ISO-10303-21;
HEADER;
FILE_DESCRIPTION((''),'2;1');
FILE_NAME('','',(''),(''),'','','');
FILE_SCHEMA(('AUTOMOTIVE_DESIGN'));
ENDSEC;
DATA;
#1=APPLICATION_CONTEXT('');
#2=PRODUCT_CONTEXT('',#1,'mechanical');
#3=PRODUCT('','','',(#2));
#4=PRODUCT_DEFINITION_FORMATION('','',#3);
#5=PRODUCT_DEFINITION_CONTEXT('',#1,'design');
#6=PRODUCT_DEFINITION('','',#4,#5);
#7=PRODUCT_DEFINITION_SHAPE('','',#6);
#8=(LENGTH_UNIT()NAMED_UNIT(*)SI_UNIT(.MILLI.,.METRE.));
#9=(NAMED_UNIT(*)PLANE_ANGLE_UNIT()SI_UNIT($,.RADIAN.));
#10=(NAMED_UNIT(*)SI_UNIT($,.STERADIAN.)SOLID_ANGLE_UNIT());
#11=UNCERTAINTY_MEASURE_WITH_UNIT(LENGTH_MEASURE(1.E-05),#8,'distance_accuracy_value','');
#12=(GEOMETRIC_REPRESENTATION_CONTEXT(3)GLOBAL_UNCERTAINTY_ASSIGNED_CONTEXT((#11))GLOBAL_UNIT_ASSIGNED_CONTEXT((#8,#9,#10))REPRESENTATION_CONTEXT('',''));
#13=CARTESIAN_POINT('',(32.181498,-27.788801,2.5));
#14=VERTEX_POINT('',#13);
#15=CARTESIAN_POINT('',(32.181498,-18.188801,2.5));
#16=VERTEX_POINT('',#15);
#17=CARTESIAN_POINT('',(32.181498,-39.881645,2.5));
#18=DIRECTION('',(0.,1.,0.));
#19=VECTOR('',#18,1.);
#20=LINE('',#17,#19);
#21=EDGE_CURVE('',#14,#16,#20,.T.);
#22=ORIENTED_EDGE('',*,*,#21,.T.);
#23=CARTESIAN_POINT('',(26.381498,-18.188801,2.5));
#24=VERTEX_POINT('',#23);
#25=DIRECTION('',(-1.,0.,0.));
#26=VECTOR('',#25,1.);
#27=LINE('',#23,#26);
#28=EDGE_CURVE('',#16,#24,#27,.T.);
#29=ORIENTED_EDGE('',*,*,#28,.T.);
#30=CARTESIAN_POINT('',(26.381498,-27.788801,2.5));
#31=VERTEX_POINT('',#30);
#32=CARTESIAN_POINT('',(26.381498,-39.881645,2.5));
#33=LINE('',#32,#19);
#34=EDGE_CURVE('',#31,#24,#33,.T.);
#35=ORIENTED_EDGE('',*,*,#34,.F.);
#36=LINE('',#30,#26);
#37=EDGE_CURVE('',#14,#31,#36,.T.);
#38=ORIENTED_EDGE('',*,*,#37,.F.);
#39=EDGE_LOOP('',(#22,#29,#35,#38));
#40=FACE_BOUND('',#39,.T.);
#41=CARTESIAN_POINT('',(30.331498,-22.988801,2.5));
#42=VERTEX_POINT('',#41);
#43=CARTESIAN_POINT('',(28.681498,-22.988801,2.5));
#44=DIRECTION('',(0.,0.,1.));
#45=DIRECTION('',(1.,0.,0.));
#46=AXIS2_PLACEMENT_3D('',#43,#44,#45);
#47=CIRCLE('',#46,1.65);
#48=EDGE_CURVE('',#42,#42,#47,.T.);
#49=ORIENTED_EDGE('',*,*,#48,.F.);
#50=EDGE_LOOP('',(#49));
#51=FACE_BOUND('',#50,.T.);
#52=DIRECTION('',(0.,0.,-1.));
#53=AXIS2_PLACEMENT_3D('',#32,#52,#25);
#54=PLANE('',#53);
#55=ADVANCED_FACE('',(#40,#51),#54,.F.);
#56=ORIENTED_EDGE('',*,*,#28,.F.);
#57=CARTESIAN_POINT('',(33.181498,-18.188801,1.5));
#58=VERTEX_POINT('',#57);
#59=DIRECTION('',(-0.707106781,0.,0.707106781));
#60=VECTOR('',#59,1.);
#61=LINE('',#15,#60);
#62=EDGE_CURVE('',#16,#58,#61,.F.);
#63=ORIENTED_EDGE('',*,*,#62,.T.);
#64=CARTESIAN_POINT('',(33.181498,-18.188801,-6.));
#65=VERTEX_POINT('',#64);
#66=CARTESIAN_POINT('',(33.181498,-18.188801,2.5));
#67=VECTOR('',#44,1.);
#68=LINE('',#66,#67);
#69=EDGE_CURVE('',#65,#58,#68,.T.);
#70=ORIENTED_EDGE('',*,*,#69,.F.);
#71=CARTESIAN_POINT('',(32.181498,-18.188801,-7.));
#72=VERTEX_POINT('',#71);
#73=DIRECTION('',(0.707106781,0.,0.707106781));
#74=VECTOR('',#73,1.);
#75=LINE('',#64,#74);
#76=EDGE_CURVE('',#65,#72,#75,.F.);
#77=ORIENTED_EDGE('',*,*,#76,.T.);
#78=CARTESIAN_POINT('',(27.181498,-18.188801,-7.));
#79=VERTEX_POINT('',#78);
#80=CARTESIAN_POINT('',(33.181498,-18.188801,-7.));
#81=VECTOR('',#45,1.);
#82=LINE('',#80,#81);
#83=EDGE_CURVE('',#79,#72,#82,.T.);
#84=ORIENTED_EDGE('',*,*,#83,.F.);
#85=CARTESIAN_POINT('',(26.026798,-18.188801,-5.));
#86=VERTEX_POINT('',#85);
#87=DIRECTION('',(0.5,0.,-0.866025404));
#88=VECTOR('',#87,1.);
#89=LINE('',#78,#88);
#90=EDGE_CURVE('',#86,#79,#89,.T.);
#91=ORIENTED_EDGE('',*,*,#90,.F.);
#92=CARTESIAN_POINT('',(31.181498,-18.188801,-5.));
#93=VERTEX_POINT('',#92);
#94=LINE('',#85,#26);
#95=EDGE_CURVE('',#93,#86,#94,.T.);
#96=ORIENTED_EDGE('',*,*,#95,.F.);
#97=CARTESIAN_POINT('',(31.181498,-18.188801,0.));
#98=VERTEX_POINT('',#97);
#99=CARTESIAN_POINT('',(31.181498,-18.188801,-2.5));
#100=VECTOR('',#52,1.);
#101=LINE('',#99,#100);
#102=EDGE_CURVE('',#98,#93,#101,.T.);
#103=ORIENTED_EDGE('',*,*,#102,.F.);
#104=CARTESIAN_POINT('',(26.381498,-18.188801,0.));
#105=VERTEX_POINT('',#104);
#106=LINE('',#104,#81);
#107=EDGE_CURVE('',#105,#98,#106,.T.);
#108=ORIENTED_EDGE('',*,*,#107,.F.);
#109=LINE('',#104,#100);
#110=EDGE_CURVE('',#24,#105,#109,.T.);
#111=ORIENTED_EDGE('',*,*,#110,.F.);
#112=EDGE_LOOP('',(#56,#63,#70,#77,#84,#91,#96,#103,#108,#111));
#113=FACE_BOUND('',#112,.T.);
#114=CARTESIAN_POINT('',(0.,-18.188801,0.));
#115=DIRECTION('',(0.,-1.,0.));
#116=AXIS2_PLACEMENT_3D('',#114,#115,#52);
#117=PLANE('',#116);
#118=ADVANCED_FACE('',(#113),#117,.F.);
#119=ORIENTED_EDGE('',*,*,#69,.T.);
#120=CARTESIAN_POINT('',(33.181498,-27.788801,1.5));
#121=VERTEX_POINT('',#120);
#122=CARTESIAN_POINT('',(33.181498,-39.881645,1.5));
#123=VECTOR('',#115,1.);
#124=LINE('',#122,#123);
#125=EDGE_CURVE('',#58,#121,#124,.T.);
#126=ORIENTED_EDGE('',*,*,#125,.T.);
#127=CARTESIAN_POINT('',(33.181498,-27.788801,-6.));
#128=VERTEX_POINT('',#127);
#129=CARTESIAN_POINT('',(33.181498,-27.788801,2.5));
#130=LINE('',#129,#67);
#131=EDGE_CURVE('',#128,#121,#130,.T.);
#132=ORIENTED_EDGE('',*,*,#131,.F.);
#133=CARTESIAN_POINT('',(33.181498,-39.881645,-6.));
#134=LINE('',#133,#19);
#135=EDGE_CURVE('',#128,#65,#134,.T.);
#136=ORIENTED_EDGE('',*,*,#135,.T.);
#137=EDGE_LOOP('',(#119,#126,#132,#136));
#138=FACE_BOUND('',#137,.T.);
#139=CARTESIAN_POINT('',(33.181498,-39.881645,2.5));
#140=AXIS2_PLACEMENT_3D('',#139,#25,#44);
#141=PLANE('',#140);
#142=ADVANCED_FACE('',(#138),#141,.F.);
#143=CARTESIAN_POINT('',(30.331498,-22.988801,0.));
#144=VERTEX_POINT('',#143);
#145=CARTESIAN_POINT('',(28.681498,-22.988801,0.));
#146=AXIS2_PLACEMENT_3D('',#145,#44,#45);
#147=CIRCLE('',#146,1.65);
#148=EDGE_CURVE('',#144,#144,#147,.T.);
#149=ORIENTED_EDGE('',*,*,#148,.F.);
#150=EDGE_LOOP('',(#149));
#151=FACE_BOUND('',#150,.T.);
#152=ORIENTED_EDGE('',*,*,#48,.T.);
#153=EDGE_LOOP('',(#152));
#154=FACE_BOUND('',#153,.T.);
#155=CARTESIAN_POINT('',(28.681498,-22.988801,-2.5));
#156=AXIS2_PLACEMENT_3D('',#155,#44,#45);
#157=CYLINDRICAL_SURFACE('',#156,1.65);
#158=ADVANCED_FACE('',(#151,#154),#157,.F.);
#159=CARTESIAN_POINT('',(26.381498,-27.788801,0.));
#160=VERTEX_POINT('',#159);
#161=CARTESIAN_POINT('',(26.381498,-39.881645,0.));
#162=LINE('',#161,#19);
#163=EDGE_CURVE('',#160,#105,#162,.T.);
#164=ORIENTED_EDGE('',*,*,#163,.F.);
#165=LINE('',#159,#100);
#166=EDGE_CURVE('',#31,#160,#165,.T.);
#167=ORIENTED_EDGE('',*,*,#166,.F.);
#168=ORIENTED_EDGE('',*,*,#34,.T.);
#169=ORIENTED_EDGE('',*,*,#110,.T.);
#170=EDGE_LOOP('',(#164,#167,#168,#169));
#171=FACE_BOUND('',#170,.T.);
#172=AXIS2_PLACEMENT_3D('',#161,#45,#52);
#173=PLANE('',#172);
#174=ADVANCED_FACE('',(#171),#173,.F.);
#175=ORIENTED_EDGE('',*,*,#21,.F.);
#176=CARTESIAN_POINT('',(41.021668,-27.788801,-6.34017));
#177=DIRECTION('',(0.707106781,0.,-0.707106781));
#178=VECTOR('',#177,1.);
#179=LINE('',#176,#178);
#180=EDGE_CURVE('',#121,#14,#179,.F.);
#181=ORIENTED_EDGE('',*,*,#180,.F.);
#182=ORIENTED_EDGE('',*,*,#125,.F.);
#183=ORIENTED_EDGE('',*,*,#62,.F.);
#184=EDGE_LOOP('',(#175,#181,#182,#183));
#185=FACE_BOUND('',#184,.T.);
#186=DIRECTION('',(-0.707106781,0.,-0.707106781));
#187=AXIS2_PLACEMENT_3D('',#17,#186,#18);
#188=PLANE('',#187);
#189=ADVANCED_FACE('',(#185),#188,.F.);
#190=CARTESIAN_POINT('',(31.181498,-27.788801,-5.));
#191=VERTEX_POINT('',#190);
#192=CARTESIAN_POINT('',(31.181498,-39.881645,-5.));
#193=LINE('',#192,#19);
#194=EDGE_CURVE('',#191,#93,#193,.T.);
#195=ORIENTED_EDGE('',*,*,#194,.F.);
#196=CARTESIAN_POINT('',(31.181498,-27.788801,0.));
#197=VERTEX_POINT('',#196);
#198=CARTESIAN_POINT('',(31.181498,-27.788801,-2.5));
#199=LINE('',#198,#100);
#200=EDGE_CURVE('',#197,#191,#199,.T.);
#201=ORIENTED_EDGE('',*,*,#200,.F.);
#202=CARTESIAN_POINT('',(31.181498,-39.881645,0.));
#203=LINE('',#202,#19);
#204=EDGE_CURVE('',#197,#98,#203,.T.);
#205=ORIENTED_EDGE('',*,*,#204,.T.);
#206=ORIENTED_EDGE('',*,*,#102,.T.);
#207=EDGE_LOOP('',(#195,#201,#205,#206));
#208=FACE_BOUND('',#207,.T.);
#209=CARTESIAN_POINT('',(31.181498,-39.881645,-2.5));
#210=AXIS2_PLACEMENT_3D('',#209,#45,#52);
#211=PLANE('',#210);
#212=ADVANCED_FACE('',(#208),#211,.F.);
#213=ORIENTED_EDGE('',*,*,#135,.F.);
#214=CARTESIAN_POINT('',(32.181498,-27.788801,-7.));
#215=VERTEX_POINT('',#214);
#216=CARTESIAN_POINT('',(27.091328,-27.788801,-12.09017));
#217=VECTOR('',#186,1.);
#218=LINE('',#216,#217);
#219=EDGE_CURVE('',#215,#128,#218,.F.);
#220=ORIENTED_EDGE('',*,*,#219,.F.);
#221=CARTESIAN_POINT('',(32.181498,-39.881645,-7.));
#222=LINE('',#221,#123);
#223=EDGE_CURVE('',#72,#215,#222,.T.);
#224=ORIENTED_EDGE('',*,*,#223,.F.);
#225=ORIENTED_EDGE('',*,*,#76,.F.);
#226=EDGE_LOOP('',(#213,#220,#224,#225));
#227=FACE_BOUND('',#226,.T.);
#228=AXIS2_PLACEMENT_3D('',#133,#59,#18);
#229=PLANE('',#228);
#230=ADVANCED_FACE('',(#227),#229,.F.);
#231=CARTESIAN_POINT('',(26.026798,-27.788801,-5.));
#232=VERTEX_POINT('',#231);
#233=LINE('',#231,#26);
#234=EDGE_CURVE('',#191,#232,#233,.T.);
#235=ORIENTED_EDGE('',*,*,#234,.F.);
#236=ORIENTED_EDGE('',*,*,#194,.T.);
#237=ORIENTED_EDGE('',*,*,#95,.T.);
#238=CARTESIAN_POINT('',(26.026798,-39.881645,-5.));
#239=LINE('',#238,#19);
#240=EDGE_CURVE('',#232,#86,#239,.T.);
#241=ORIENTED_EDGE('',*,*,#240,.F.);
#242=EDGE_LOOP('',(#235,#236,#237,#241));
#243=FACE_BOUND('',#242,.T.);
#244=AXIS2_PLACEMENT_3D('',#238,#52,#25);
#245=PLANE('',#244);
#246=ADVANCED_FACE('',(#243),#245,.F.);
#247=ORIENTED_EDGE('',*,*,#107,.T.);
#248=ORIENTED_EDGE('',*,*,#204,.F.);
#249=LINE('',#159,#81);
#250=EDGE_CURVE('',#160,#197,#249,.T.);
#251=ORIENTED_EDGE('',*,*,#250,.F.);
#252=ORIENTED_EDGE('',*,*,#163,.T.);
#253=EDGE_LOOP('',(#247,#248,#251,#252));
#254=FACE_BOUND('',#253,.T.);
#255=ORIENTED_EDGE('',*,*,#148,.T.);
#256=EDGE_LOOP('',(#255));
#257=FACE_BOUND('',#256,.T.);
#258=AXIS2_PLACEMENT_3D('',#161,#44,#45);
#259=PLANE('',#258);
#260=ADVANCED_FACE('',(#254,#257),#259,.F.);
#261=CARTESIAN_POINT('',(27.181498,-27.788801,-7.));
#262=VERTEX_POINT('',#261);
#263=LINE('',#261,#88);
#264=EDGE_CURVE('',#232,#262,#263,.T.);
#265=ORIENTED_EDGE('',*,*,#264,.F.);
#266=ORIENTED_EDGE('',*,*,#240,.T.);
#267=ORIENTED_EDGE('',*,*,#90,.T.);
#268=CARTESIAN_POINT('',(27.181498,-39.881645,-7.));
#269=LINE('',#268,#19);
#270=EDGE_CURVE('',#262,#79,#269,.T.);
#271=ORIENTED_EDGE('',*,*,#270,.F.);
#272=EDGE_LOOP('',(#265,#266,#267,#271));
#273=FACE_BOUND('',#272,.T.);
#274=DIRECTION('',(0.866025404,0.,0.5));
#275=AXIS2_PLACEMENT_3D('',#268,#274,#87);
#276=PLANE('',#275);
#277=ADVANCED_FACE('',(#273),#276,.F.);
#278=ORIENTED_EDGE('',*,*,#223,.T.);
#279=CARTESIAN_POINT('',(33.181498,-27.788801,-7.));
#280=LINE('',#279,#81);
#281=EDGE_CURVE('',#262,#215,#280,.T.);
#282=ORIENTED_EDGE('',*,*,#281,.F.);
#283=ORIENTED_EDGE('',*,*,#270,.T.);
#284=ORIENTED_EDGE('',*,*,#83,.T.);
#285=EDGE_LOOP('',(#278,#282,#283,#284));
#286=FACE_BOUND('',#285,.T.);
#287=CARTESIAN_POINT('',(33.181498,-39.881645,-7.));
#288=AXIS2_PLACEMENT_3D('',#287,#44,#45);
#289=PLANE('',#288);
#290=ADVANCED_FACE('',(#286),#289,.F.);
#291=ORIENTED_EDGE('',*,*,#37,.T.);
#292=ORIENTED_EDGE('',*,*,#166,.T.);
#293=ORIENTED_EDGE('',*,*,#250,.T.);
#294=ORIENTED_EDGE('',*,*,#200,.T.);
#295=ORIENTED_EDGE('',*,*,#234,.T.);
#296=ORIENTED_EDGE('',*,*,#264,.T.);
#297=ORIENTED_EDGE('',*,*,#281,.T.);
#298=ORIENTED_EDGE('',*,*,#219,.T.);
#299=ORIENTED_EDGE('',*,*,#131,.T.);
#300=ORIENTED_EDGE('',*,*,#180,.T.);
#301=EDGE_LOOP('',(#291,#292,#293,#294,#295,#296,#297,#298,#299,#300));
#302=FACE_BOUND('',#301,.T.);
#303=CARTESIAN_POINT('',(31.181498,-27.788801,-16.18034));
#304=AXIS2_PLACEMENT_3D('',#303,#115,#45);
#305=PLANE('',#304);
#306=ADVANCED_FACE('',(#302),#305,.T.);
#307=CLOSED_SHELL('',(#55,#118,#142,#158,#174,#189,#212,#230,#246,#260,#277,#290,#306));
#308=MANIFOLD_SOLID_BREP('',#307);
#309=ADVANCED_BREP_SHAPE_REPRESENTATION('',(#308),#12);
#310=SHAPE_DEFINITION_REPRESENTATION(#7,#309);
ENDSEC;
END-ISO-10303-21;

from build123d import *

# Parameters (mm, degrees)
BOSS_EXTRUDE1_START = 0.2
BOSS_EXTRUDE1_DEPTH = 9.6
SKETCH3_R           = 1.65
CUT_EXTRUDE1_DEPTH  = 5
CHAMFER1_SIZE       = 1


with BuildPart() as part:
    # Sketch2 → Boss-Extrude1 (new body)
    with BuildSketch(Plane.XZ.offset(17.988801204).offset(BOSS_EXTRUDE1_START)):
        Polygon((26.026797653, -5), (31.181498191, -5), (31.181498191, -2.5), (31.181498191, 0), (26.381498191, 0), (26.381498191, 2.5), (33.181498191, 2.5), (33.181498191, -7), (27.181498191, -7), align=None)
    extrude(amount=BOSS_EXTRUDE1_DEPTH)

    # Sketch3 → Cut-Extrude1 (cut)
    with BuildSketch(Plane.XY.offset(2.5)):
        with Locations((28.681498191, -22.988801204)):
            Circle(SKETCH3_R)
    extrude(amount=-CUT_EXTRUDE1_DEPTH, mode=Mode.SUBTRACT)

    # Chamfer1
    chamfer1_edges = [part.edges().sort_by_distance(p)[0] for p in [
        (33.181498191, -22.988801204, -7),
        (33.181498191, -22.988801204, 2.5),
    ]]
    chamfer(chamfer1_edges, length=CHAMFER1_SIZE)


solid = part.part
